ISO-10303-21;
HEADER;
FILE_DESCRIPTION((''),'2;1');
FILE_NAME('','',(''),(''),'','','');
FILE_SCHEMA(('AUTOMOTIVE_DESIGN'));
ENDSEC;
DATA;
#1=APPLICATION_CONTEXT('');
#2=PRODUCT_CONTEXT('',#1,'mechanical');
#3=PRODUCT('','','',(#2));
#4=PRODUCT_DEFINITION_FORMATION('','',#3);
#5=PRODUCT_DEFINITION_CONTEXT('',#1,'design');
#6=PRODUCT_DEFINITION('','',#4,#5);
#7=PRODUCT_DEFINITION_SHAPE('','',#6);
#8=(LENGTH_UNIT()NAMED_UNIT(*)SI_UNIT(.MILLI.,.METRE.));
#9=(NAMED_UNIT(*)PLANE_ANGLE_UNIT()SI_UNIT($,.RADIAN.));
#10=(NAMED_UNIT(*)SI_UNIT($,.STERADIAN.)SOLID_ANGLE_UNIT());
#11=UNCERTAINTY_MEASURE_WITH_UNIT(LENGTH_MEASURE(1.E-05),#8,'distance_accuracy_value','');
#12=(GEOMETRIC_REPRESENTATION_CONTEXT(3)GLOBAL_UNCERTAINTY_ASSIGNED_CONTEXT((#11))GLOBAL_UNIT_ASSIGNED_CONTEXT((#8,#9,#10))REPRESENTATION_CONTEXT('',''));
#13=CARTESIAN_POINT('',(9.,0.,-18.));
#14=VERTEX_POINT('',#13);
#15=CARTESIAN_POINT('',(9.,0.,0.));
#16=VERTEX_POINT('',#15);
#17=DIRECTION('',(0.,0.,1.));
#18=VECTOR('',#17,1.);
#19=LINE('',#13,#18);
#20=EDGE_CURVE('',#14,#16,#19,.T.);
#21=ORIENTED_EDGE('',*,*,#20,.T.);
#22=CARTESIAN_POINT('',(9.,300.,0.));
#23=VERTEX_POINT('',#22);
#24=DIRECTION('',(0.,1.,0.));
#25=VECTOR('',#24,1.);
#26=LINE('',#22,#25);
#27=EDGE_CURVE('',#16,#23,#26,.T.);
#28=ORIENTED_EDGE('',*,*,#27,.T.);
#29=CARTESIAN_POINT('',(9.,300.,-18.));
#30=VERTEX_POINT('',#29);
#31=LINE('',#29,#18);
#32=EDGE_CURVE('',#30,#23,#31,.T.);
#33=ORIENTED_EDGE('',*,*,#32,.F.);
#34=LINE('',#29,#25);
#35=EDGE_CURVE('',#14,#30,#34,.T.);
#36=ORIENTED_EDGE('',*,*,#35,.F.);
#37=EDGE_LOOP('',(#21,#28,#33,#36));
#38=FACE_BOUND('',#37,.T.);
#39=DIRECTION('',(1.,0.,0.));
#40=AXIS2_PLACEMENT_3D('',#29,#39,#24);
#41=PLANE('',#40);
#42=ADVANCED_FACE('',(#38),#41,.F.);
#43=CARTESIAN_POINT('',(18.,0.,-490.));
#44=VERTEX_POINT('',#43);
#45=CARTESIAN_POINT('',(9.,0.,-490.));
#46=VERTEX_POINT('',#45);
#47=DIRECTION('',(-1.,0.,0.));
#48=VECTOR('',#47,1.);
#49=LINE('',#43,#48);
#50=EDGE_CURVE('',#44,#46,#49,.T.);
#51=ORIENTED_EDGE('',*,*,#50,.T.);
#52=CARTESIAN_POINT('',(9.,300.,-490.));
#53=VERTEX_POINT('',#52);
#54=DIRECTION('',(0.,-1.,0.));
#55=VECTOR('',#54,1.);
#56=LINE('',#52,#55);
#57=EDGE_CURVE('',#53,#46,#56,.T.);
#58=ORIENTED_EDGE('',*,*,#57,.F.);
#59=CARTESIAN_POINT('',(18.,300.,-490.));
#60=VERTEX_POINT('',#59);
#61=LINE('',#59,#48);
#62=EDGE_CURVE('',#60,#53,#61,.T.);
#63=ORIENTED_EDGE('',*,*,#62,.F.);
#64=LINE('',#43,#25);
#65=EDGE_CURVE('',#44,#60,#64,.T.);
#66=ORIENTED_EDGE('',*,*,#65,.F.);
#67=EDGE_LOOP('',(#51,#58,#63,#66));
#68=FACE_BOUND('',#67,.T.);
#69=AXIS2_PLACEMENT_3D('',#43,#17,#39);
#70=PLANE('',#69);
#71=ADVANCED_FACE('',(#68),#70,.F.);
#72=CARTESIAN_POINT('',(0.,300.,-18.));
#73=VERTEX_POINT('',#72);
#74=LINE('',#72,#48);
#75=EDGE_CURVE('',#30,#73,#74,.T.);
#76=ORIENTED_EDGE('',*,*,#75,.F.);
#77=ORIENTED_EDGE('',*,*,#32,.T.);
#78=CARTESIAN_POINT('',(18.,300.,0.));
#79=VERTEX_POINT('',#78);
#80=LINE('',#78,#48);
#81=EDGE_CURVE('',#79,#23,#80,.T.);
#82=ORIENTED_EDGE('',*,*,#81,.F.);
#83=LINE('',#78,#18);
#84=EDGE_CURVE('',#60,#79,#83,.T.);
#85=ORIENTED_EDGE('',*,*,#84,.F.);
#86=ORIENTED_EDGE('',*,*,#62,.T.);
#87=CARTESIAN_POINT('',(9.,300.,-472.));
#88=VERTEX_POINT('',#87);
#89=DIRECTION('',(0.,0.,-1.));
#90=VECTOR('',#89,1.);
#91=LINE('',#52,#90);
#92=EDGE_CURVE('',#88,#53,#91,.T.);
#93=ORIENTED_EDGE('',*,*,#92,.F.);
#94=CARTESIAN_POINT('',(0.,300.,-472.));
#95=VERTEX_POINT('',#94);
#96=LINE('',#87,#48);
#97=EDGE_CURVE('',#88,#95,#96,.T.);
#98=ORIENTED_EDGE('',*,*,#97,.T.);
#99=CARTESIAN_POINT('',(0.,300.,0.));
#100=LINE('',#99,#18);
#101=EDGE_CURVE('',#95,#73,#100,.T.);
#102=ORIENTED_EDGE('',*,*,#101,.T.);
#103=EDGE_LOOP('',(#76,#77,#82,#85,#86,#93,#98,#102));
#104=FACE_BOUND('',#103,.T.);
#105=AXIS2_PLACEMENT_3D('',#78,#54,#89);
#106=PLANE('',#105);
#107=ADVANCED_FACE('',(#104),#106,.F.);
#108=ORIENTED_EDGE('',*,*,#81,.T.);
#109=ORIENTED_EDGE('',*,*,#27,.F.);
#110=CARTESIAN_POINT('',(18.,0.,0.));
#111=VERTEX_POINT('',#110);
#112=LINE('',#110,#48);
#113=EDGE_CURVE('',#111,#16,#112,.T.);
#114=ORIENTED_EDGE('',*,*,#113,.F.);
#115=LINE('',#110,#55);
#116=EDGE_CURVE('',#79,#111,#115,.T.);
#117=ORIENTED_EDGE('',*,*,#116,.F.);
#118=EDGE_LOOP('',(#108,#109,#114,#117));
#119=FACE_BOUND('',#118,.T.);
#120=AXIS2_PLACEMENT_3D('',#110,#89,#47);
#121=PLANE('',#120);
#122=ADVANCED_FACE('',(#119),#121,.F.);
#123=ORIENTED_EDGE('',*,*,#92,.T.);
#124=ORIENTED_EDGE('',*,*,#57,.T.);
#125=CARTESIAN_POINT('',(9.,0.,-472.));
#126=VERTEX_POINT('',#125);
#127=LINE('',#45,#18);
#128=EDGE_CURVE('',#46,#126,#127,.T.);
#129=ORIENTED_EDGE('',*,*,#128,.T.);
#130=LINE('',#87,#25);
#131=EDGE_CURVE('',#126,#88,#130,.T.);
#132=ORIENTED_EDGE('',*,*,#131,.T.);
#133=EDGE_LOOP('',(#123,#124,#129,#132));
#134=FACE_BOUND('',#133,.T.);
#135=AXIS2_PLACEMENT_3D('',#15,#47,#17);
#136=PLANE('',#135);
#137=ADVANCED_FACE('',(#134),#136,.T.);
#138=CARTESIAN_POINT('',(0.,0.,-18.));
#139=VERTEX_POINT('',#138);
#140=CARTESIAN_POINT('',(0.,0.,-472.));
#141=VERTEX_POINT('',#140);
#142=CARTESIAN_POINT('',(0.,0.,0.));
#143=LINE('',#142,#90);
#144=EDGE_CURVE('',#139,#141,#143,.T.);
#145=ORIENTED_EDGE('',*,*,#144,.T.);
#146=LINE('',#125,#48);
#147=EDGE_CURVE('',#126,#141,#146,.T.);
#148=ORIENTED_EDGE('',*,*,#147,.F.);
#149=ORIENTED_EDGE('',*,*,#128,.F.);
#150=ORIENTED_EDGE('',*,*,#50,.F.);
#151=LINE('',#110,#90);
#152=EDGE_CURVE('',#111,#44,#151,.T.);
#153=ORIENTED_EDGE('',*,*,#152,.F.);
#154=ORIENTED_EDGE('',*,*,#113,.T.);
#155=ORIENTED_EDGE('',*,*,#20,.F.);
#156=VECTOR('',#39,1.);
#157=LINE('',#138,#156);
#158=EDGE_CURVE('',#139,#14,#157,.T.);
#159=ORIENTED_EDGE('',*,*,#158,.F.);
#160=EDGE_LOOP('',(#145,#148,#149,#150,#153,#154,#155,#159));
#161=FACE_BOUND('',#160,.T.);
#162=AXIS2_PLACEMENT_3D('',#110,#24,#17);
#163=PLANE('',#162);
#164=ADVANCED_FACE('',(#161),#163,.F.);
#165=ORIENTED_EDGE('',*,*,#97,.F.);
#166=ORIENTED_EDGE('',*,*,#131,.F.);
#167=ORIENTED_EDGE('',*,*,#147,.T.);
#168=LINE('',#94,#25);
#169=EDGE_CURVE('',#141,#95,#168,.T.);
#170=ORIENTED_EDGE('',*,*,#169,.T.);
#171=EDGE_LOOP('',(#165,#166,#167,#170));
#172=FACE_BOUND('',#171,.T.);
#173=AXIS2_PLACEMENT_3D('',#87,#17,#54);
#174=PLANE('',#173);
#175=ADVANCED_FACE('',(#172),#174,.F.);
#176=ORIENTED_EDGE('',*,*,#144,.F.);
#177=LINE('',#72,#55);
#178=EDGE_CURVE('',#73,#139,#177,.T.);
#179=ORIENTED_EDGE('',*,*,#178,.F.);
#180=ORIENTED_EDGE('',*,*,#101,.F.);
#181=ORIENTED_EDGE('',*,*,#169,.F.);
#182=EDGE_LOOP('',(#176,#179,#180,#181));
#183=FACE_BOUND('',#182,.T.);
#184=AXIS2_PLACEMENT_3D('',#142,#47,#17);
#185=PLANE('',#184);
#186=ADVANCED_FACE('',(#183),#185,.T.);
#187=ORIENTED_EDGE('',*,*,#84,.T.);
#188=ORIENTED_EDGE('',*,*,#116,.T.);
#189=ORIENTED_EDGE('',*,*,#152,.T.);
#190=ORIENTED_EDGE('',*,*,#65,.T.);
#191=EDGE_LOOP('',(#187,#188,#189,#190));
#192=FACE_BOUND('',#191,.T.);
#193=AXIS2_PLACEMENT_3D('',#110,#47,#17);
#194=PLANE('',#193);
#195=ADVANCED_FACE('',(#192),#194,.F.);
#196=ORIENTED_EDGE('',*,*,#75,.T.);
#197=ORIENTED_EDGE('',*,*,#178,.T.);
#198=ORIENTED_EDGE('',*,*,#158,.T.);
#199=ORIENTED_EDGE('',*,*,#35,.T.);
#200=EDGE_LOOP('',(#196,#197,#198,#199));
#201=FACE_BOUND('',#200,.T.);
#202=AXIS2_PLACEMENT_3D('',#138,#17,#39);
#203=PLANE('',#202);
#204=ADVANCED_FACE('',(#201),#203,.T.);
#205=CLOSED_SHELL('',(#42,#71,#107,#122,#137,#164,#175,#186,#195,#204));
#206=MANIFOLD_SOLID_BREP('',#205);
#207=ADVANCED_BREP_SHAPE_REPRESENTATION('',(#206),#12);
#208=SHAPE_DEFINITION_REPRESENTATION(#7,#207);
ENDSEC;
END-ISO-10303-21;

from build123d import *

# Parameters (mm, degrees)
SKETCH1_W           = 490
SKETCH1_H           = 300
BOSS_EXTRUDE1_DEPTH = 18
SKETCH5_W           = 9
SKETCH5_H           = 300
CUT_EXTRUDE1_DEPTH  = 18
SKETCH6_W           = 18
SKETCH6_H           = 300
CUT_EXTRUDE3_DEPTH  = 9


with BuildPart() as part:
    # Sketch1 → Boss-Extrude1 (new body)
    with BuildSketch(Plane(origin=(0, 0, 0), x_dir=(0, 0, -1), z_dir=(1, 0, 0))):
        with Locations((245, 150)):
            Rectangle(SKETCH1_W, SKETCH1_H)
    extrude(amount=BOSS_EXTRUDE1_DEPTH)

    # Sketch5 → Cut-Extrude1 (cut)
    with BuildSketch(Plane.XY):
        with Locations((4.5, 150)):
            Rectangle(SKETCH5_W, SKETCH5_H)
    extrude(amount=-CUT_EXTRUDE1_DEPTH, mode=Mode.SUBTRACT)

    # Sketch6 → Cut-Extrude3 (cut)
    with BuildSketch(Plane.ZY):
        with Locations((-481, 150)):
            Rectangle(SKETCH6_W, SKETCH6_H)
    extrude(amount=-CUT_EXTRUDE3_DEPTH, mode=Mode.SUBTRACT)


solid = part.part
